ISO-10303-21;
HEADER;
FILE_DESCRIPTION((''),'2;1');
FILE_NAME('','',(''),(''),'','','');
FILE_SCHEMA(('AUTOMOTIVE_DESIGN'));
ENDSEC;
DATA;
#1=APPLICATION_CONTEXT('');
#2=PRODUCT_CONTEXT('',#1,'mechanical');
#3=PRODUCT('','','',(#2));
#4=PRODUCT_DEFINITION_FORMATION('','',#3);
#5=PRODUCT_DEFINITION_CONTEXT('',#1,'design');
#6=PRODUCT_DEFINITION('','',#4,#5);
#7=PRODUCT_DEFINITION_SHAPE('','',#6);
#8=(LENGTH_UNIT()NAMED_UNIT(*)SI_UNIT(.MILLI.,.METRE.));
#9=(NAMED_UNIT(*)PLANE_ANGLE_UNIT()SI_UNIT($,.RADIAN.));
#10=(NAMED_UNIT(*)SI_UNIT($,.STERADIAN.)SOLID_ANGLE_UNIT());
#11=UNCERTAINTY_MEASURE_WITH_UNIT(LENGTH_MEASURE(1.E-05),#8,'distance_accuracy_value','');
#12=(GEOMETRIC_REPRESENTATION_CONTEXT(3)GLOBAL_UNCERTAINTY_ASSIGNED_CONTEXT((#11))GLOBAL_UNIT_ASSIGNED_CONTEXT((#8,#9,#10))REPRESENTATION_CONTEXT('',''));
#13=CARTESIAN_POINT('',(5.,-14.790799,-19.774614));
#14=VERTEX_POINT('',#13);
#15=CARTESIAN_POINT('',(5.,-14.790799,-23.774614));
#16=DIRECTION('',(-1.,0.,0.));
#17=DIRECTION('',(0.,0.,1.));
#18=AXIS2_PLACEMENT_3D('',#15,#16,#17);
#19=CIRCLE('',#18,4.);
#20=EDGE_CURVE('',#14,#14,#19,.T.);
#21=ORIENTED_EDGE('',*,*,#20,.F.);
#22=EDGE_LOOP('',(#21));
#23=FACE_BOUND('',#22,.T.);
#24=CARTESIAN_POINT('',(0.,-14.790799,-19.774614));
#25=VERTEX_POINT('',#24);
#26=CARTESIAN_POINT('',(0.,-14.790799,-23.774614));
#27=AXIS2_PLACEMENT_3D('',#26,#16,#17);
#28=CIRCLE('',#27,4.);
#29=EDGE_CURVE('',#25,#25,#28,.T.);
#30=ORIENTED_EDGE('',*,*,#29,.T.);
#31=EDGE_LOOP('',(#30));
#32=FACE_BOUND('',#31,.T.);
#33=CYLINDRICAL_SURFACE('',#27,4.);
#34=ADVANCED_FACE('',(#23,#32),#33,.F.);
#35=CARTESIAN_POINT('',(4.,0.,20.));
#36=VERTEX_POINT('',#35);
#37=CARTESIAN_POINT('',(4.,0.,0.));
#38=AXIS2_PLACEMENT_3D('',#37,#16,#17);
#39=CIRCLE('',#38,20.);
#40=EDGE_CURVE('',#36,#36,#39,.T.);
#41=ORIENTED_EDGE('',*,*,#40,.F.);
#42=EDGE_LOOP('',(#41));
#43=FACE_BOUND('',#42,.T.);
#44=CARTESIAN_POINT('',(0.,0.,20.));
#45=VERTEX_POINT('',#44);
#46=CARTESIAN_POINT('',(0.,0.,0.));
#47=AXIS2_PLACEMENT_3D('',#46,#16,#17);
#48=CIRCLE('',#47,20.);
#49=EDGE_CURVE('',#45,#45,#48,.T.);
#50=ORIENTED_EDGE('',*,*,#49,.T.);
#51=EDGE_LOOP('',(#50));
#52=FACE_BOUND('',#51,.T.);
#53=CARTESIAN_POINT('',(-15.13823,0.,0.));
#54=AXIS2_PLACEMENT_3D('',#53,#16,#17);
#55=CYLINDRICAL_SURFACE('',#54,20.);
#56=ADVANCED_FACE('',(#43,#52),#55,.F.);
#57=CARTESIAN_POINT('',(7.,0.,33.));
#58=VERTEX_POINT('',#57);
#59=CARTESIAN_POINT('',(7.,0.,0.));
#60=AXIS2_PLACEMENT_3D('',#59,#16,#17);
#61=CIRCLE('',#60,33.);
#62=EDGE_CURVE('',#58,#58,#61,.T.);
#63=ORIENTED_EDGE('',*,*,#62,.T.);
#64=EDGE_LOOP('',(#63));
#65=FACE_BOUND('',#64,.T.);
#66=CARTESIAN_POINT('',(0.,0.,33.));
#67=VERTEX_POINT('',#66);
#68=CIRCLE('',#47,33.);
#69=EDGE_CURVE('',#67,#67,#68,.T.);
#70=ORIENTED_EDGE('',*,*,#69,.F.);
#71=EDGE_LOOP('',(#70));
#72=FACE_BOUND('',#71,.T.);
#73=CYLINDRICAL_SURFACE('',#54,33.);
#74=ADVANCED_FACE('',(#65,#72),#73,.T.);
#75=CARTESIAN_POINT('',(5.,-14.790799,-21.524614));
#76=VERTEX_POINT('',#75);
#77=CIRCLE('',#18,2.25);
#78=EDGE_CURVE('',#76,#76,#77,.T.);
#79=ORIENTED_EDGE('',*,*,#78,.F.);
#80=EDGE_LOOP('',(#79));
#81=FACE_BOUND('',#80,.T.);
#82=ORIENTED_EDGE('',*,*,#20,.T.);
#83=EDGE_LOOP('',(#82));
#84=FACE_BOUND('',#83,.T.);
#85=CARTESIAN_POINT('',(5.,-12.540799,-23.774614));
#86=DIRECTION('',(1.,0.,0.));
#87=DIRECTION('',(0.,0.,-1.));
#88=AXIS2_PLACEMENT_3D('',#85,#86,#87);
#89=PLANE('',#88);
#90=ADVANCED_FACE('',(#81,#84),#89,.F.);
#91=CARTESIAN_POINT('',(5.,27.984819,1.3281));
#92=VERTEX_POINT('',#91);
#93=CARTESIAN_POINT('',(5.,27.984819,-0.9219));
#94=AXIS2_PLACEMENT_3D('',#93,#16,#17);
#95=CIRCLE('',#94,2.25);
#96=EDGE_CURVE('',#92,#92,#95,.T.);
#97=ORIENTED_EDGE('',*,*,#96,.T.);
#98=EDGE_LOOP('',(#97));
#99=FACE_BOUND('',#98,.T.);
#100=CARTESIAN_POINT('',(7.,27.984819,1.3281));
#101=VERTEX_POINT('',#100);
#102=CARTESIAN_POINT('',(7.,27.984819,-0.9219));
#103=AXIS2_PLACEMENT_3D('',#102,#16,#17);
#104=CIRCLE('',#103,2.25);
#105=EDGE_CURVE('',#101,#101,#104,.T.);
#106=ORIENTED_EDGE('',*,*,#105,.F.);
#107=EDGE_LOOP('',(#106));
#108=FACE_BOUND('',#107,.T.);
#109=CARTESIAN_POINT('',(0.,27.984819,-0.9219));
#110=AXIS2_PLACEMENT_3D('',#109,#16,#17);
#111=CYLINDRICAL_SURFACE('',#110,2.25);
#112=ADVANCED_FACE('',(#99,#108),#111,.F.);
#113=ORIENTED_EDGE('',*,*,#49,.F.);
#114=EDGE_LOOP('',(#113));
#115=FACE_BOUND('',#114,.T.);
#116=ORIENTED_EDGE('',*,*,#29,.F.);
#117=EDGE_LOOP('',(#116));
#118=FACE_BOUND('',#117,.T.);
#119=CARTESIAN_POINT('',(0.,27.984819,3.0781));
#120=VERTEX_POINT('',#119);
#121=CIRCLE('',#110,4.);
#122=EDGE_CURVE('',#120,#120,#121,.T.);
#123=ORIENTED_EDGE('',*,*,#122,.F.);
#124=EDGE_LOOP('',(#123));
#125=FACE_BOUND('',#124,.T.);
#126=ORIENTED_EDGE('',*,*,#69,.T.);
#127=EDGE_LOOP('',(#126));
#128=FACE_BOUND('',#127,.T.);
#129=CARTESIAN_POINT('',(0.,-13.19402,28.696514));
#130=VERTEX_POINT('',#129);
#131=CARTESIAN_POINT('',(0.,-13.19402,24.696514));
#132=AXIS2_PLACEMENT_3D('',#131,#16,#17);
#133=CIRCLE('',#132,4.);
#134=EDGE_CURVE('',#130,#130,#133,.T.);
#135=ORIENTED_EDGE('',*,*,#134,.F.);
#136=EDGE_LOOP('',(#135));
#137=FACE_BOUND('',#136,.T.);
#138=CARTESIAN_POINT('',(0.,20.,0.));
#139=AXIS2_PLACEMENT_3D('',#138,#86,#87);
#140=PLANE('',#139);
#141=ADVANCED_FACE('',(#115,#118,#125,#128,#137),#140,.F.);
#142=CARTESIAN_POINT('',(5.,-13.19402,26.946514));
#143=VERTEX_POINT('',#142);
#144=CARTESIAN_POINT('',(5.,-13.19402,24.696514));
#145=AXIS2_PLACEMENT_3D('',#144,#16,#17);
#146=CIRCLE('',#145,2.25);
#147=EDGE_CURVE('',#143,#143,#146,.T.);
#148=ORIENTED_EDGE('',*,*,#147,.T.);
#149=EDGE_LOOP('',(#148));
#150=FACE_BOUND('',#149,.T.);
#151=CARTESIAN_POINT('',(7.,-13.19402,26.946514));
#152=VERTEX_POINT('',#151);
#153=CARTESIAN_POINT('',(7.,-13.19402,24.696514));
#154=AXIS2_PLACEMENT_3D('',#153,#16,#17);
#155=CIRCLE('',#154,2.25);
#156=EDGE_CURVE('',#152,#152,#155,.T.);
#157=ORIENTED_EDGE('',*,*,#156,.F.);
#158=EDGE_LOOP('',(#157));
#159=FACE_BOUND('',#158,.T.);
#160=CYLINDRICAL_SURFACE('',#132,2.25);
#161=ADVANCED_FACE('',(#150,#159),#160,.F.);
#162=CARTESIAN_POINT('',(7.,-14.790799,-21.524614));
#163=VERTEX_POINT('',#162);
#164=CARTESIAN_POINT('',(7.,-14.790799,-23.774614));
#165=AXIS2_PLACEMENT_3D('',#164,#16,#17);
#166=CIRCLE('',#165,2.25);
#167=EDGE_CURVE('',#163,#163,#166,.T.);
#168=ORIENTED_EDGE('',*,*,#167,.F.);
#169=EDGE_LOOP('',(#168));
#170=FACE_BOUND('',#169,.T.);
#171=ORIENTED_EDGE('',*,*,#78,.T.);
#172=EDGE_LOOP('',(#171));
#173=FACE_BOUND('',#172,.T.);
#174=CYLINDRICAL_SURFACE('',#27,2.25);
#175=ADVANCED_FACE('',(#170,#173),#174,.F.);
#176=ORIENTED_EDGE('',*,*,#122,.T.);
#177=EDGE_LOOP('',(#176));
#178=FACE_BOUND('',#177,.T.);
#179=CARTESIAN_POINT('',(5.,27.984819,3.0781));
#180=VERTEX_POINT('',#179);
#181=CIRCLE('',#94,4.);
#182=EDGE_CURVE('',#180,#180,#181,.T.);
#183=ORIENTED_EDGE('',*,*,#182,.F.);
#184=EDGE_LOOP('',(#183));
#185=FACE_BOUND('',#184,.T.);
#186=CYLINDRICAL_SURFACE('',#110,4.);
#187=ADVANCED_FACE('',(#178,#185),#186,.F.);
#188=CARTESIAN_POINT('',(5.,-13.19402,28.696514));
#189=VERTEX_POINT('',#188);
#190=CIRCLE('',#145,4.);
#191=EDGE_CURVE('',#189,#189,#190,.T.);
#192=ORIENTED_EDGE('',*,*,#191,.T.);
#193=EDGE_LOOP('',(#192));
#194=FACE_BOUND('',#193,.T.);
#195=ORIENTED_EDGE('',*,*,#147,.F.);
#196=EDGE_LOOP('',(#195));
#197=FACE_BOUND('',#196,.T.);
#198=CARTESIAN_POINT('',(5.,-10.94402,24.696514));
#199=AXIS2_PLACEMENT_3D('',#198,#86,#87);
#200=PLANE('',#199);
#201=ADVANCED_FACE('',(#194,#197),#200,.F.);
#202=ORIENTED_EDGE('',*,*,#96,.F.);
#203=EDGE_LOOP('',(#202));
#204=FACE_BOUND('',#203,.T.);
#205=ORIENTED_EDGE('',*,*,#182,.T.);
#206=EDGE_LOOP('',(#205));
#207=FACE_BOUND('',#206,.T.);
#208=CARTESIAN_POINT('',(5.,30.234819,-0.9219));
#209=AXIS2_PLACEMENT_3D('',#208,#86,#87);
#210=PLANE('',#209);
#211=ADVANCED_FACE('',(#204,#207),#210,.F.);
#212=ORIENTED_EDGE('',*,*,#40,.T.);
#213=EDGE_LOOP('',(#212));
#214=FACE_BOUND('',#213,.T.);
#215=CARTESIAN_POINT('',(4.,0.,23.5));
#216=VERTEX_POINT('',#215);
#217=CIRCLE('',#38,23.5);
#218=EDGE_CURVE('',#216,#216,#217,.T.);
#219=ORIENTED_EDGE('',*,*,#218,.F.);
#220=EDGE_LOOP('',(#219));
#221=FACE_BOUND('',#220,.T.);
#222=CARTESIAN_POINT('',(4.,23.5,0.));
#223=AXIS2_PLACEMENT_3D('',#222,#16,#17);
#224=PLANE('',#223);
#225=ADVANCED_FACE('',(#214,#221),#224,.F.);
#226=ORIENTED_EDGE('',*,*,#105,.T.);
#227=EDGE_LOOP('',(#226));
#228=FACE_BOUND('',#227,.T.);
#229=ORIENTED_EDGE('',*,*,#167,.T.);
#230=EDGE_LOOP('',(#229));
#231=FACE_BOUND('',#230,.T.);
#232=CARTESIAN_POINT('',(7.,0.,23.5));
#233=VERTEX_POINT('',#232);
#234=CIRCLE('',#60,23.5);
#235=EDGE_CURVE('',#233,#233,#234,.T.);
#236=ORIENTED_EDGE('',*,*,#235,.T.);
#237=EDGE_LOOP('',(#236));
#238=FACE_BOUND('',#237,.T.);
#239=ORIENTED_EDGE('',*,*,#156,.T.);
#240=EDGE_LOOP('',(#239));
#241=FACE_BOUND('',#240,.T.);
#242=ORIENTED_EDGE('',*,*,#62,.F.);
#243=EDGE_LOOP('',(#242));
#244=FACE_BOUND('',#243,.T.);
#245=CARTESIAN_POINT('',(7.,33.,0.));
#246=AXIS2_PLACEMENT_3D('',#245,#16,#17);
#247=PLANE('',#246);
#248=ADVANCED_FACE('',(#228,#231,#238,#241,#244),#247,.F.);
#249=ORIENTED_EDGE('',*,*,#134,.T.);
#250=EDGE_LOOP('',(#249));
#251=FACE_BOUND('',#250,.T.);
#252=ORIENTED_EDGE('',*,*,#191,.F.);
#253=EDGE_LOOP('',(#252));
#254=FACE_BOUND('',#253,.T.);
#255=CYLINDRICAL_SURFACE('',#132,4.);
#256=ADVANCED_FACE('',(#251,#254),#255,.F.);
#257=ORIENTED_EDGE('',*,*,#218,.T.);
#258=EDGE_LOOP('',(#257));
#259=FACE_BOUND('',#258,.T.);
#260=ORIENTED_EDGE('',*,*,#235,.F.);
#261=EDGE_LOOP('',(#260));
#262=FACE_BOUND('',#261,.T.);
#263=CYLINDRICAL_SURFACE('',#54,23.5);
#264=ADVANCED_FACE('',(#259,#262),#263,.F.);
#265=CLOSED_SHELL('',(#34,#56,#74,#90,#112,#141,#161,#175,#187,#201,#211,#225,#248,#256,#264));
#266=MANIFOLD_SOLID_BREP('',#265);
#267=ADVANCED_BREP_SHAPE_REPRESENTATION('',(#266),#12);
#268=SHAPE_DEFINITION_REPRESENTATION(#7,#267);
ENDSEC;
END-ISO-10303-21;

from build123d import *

# Parameters (mm, degrees)
CHAMBRAGE_POUR_VIS_T_TE_HEXAGONALE_M41_D           = 4.5
CHAMBRAGE_POUR_VIS_T_TE_HEXAGONALE_M41_CBORE_D     = 8
CHAMBRAGE_POUR_VIS_T_TE_HEXAGONALE_M41_CBORE_DEPTH = 5
R_P_TITION_CIRCULAIRE1_COUNT                       = 3


with BuildPart() as part:
    # Esquisse1 → Révolution1 (revolve)
    with BuildSketch(Plane.XY, mode=Mode.PRIVATE) as r_volution1_sk:
        Polygon((0, 20), (0, 33), (7, 33), (7, 23.5), (4, 23.5), (4, 20), align=None)
    revolve(r_volution1_sk.sketch.rotate(Axis((-15.138230384, 0, 0), (1, 0, 0)), 90), axis=Axis((-15.138230384, 0, 0), (1, 0, 0)))

    # Chambrage pour vis à tête hexagonale M41 (through all)
    with Locations(Plane(origin=(0, 27.984819093, -0.921900388), x_dir=(0, 0, -1), z_dir=(-1, 0, 0))):
        with Locations((0, 0)):
            chambrage_pour_vis_t_te_hexagonale_m41 = CounterBoreHole(CHAMBRAGE_POUR_VIS_T_TE_HEXAGONALE_M41_D / 2, CHAMBRAGE_POUR_VIS_T_TE_HEXAGONALE_M41_CBORE_D / 2, CHAMBRAGE_POUR_VIS_T_TE_HEXAGONALE_M41_CBORE_DEPTH)

    # Répétition circulaire1: Chambrage pour vis à tête hexagonale M41 ×3 about axis
    r_p_tition_circulaire1_axis = Axis((0, 0, 0), (1, 0, 0))
    for i in range(1, R_P_TITION_CIRCULAIRE1_COUNT):
        add(chambrage_pour_vis_t_te_hexagonale_m41.rotate(r_p_tition_circulaire1_axis, i * 360 / R_P_TITION_CIRCULAIRE1_COUNT), mode=Mode.SUBTRACT)


solid = part.part
